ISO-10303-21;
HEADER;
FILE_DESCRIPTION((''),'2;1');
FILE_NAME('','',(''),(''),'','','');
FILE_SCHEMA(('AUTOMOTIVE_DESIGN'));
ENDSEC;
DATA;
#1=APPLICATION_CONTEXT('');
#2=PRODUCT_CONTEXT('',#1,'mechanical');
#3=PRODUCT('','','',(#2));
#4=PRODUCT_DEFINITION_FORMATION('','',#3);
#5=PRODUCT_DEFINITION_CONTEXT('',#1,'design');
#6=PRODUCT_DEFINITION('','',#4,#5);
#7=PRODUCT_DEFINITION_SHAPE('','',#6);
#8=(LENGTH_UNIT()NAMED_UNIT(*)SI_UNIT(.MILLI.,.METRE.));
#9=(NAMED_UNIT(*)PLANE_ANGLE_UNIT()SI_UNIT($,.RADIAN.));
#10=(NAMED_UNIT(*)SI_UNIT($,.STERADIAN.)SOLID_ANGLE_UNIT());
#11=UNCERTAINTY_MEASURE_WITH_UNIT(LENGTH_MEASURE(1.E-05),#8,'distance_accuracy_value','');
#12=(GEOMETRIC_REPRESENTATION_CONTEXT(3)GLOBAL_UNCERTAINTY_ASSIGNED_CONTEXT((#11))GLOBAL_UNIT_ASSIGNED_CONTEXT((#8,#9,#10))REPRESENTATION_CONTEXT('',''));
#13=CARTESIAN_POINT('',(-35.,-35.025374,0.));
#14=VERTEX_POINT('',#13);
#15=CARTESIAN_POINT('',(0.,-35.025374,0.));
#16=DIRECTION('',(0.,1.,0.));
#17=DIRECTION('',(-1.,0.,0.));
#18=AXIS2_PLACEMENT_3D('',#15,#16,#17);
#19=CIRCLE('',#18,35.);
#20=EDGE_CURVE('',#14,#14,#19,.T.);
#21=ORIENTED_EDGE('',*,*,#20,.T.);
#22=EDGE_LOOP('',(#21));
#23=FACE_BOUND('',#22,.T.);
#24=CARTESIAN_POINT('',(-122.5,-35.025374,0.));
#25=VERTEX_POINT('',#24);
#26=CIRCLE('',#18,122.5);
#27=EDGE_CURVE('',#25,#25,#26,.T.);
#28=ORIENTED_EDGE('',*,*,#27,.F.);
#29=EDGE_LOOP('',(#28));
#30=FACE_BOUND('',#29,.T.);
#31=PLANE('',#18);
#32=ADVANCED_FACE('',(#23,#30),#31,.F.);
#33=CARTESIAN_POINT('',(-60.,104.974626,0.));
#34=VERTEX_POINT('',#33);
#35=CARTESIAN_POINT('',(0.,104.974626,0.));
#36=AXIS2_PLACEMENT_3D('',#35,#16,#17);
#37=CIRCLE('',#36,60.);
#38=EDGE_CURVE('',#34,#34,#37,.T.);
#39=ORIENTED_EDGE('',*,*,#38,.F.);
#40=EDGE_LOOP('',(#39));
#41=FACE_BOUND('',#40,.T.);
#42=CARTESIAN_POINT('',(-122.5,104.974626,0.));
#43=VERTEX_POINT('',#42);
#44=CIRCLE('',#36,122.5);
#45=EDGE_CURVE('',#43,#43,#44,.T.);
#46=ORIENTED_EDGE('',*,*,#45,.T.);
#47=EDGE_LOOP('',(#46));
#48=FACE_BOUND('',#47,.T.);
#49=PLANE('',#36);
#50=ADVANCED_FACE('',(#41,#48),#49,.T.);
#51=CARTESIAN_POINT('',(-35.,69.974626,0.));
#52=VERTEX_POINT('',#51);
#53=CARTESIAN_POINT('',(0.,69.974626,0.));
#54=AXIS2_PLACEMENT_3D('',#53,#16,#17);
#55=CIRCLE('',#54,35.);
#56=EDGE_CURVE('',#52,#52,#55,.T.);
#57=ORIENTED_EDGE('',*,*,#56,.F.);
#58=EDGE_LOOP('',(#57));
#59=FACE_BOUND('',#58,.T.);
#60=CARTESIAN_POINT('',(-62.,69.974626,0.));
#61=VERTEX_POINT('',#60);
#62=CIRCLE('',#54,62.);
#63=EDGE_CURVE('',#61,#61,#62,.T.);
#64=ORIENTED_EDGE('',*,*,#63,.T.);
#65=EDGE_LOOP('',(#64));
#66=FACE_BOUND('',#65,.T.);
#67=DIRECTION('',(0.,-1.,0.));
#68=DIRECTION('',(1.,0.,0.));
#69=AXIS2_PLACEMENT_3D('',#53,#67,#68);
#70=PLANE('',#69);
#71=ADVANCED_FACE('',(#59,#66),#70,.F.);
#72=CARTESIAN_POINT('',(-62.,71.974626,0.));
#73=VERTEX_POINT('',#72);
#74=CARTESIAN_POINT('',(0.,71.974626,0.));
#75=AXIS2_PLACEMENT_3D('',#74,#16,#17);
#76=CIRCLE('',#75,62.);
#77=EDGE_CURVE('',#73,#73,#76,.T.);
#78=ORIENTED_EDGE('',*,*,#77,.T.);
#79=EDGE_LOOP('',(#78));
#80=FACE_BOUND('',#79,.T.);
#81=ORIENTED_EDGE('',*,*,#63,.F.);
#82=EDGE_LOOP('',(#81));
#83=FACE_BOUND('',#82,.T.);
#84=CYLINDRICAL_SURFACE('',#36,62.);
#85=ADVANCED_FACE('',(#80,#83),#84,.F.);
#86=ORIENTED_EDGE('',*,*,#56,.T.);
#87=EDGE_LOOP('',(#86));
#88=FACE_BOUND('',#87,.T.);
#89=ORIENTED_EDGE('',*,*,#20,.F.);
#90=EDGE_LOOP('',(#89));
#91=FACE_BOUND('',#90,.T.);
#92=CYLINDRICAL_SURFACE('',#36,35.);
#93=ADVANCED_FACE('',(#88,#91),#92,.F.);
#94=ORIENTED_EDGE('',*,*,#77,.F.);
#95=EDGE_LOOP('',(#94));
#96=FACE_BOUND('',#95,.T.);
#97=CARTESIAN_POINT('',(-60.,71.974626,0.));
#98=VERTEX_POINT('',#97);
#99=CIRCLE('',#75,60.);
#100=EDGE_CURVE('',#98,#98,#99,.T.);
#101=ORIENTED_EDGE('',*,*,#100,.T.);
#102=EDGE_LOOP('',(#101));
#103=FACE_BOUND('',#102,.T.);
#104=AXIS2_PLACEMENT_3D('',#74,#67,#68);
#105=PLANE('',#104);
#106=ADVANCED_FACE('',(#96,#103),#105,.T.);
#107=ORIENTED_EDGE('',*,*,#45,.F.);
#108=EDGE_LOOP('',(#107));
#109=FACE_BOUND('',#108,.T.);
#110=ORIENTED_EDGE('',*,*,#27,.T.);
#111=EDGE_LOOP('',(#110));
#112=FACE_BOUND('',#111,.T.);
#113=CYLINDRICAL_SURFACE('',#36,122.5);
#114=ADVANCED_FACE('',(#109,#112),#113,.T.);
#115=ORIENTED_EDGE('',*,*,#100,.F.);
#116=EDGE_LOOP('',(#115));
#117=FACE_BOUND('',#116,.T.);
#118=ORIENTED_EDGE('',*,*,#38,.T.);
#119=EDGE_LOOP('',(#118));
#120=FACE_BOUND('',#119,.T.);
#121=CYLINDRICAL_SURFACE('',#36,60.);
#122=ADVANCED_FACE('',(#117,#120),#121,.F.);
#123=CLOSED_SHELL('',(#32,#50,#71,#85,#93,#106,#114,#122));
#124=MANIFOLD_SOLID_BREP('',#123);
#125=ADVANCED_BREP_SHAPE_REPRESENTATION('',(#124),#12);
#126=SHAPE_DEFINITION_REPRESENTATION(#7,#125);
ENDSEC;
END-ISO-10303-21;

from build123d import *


with BuildPart() as part:
    # Szkic1 → Obrót1 (revolve)
    with BuildSketch(Plane.XY):
        Polygon((-60, 104.974625624), (-122.5, 104.974625624), (-122.5, -35.025374376), (-60, -35.025374376), (-35, -35.025374376), (-35, 69.974625624), (-60, 69.974625624), (-62, 69.974625624), (-62, 71.974625624), (-60, 71.974625624), align=None)
    revolve(axis=Axis((0, 104.974625624, 0), (0, -1, 0)))


solid = part.part
